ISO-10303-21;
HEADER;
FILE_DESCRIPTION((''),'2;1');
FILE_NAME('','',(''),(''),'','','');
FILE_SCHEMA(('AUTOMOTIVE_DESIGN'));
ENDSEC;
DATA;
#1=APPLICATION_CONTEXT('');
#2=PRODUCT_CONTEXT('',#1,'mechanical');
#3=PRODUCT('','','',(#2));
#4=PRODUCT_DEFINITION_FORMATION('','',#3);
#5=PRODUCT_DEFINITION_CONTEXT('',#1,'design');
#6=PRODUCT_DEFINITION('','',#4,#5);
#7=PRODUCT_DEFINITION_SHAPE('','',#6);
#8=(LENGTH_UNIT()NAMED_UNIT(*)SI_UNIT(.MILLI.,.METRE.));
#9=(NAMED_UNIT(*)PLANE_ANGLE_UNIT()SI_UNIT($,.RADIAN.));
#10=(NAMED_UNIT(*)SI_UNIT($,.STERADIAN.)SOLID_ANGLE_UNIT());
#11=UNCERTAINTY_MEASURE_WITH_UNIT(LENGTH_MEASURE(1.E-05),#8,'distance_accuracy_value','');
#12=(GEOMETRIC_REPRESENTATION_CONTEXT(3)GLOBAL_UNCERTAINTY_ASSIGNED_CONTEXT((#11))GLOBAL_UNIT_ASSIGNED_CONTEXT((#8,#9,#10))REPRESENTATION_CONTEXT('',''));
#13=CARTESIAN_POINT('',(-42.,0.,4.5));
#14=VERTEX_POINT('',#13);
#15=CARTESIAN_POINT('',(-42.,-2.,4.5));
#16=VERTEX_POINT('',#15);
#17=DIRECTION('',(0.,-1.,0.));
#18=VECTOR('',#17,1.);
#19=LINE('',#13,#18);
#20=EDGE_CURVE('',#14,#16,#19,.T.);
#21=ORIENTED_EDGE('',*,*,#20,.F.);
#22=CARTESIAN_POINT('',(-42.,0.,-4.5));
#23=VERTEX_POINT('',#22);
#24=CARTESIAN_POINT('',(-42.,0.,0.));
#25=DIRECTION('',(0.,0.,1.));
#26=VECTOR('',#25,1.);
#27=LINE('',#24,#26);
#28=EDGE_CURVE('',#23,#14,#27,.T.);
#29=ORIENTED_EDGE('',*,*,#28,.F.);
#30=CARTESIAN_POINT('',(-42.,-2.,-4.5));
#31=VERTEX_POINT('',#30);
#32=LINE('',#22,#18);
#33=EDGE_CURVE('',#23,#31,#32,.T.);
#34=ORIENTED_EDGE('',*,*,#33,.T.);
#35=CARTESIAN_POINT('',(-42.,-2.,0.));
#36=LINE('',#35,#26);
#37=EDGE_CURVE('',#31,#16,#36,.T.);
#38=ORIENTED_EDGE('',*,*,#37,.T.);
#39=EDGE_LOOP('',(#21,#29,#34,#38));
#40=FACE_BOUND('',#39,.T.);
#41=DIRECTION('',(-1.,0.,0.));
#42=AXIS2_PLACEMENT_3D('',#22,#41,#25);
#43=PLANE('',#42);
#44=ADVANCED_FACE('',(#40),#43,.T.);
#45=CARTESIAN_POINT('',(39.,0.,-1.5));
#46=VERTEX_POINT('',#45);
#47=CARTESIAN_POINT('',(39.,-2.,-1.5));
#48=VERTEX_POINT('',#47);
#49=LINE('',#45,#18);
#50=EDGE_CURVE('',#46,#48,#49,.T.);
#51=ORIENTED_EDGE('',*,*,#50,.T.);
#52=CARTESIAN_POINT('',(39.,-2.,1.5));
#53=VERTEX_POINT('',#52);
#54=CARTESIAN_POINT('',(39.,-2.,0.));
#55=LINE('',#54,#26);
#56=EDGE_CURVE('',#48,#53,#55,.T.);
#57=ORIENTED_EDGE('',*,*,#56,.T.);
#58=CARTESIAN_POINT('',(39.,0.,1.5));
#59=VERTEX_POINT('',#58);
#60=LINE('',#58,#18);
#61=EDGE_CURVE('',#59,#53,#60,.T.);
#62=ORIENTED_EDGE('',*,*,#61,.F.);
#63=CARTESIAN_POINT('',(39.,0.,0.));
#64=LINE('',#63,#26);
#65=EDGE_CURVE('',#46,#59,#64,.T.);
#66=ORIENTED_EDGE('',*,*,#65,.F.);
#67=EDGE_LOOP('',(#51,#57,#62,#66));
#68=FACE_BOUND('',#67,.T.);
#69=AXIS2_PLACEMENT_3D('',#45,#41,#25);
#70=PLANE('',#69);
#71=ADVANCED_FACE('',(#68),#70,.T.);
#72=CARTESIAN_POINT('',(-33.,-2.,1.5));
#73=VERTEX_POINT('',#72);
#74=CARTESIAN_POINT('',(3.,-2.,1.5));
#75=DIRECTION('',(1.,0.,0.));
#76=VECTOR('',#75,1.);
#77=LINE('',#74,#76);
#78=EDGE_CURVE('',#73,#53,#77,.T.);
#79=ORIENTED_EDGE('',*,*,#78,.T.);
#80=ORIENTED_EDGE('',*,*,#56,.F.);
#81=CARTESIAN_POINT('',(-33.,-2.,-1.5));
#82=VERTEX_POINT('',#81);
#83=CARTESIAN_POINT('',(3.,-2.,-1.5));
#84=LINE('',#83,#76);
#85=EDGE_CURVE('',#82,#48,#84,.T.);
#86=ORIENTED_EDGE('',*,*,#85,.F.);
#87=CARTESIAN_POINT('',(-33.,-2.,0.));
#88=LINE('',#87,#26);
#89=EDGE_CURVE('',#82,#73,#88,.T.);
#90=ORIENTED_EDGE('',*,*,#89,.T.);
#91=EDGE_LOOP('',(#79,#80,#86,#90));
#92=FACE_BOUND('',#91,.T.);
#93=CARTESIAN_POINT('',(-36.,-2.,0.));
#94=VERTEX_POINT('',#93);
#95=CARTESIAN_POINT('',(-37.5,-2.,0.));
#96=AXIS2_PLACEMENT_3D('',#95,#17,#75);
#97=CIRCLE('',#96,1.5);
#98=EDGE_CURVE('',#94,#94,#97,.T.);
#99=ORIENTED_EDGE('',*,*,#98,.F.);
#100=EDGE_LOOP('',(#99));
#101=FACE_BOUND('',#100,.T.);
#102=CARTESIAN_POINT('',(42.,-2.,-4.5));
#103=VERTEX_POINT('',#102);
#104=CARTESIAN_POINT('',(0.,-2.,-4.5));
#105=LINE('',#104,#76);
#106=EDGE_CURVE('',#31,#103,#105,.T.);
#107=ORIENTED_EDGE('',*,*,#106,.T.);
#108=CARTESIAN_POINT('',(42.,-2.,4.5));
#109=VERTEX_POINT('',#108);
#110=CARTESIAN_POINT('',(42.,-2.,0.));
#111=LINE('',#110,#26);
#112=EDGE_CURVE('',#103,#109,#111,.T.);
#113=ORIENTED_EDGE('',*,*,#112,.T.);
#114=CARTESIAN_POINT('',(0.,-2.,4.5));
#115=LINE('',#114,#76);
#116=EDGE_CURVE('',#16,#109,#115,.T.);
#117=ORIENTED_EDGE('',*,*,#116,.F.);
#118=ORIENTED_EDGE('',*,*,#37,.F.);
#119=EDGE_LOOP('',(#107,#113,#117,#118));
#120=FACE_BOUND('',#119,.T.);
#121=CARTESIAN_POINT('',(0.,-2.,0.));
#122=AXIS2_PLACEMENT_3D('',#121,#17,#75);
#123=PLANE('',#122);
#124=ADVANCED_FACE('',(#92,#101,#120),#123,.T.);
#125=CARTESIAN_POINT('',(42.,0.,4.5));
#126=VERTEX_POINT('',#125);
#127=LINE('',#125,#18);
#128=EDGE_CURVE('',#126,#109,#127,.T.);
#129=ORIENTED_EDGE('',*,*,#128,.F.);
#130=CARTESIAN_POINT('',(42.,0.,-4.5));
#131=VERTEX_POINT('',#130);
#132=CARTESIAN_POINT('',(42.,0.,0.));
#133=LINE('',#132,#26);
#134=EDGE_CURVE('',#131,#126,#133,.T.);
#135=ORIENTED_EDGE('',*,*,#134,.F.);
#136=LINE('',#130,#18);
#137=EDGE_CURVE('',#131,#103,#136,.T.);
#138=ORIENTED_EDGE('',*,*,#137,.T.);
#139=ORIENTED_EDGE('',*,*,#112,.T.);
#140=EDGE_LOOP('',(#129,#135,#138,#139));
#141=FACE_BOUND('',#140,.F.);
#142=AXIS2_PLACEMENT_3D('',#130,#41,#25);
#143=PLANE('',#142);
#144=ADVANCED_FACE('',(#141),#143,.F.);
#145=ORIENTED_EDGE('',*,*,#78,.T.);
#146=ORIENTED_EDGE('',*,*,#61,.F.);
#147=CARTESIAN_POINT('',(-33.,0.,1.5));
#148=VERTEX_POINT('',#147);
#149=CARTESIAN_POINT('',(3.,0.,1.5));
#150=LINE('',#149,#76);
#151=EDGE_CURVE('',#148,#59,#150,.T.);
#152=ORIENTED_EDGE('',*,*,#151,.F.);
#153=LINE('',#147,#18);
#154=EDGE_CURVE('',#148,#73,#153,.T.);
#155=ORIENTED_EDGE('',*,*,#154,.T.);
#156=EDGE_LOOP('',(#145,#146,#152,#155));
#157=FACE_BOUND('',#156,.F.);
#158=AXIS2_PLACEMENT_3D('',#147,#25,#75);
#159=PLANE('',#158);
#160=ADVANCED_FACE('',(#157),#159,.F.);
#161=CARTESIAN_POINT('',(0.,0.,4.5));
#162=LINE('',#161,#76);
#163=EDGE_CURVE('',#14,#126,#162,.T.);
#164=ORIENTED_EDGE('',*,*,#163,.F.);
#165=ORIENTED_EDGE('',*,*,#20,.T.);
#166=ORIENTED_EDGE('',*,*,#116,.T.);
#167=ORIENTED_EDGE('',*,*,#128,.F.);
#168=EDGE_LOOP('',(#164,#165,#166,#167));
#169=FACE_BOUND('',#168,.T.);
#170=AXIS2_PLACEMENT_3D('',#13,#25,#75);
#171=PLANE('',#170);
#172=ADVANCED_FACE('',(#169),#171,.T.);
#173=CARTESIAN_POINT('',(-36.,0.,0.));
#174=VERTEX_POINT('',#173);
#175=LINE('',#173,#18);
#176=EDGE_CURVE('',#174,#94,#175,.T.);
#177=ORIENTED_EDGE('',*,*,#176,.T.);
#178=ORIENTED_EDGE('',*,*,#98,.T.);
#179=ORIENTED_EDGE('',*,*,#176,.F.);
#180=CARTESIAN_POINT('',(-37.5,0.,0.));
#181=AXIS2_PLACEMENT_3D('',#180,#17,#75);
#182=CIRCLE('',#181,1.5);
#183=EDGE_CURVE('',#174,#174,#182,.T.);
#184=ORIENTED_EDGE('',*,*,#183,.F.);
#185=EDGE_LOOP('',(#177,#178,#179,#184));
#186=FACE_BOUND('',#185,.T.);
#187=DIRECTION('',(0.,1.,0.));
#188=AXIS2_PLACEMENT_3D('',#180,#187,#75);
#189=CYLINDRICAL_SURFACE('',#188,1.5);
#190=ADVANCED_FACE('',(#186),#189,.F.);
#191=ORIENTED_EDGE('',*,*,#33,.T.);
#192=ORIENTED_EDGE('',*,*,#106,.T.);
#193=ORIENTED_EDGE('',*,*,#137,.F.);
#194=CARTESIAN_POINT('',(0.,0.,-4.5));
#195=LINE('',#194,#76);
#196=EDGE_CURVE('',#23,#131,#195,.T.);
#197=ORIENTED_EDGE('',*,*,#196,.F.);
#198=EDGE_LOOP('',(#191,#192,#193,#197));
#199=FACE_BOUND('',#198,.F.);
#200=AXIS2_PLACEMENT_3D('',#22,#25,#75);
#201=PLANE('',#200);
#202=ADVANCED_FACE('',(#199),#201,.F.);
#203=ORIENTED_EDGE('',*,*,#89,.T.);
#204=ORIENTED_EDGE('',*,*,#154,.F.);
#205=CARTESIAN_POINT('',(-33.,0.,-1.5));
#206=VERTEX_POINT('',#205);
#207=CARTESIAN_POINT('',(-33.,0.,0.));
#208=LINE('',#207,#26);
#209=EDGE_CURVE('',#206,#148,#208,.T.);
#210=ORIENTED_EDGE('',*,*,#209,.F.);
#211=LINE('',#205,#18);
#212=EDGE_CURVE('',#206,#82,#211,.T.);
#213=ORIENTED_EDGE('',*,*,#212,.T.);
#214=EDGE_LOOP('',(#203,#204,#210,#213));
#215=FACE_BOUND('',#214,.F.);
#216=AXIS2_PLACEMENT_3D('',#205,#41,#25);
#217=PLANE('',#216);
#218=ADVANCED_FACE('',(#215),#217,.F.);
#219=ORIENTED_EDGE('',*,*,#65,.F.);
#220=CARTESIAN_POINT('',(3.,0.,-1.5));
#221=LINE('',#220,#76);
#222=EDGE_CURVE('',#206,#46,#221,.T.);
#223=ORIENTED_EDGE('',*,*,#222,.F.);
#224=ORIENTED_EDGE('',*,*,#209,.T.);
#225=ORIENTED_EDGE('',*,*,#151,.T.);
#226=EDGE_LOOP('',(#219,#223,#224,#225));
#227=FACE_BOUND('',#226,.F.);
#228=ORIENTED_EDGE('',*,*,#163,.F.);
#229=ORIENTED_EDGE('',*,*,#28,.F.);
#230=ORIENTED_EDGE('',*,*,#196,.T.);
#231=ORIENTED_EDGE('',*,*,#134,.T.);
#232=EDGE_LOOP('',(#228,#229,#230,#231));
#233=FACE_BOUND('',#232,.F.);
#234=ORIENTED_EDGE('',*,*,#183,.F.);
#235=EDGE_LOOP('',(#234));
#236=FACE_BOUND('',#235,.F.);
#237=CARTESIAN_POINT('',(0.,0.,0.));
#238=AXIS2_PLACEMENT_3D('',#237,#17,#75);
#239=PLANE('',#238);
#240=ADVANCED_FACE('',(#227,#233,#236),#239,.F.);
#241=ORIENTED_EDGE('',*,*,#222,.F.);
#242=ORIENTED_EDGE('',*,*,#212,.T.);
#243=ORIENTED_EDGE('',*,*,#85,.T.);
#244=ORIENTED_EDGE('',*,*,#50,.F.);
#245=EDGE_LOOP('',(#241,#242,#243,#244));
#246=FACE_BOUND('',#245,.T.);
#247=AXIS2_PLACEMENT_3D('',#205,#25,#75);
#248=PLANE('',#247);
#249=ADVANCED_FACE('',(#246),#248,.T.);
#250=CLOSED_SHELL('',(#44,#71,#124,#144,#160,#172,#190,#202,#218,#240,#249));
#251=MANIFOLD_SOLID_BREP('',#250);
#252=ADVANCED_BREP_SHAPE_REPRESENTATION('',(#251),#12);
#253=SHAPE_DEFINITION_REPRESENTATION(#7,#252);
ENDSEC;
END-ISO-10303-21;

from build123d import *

# Parameters (mm, degrees)
F0_W     = 84
F0_H     = 9
F0_R     = 1.5
F0_W_2   = 72
F0_H_2   = 3
F1_DEPTH = 2


with BuildPart() as f1:
    # F0 (on Front) → F1 (new body)
    with BuildSketch(Plane.XZ):
        Rectangle(F0_W, F0_H)
        with Locations((-37.5, 0)):
            Circle(F0_R, mode=Mode.SUBTRACT)
        with Locations((3, 0)):
            Rectangle(F0_W_2, F0_H_2, mode=Mode.SUBTRACT)
    extrude(amount=F1_DEPTH)


solid = f1.part
